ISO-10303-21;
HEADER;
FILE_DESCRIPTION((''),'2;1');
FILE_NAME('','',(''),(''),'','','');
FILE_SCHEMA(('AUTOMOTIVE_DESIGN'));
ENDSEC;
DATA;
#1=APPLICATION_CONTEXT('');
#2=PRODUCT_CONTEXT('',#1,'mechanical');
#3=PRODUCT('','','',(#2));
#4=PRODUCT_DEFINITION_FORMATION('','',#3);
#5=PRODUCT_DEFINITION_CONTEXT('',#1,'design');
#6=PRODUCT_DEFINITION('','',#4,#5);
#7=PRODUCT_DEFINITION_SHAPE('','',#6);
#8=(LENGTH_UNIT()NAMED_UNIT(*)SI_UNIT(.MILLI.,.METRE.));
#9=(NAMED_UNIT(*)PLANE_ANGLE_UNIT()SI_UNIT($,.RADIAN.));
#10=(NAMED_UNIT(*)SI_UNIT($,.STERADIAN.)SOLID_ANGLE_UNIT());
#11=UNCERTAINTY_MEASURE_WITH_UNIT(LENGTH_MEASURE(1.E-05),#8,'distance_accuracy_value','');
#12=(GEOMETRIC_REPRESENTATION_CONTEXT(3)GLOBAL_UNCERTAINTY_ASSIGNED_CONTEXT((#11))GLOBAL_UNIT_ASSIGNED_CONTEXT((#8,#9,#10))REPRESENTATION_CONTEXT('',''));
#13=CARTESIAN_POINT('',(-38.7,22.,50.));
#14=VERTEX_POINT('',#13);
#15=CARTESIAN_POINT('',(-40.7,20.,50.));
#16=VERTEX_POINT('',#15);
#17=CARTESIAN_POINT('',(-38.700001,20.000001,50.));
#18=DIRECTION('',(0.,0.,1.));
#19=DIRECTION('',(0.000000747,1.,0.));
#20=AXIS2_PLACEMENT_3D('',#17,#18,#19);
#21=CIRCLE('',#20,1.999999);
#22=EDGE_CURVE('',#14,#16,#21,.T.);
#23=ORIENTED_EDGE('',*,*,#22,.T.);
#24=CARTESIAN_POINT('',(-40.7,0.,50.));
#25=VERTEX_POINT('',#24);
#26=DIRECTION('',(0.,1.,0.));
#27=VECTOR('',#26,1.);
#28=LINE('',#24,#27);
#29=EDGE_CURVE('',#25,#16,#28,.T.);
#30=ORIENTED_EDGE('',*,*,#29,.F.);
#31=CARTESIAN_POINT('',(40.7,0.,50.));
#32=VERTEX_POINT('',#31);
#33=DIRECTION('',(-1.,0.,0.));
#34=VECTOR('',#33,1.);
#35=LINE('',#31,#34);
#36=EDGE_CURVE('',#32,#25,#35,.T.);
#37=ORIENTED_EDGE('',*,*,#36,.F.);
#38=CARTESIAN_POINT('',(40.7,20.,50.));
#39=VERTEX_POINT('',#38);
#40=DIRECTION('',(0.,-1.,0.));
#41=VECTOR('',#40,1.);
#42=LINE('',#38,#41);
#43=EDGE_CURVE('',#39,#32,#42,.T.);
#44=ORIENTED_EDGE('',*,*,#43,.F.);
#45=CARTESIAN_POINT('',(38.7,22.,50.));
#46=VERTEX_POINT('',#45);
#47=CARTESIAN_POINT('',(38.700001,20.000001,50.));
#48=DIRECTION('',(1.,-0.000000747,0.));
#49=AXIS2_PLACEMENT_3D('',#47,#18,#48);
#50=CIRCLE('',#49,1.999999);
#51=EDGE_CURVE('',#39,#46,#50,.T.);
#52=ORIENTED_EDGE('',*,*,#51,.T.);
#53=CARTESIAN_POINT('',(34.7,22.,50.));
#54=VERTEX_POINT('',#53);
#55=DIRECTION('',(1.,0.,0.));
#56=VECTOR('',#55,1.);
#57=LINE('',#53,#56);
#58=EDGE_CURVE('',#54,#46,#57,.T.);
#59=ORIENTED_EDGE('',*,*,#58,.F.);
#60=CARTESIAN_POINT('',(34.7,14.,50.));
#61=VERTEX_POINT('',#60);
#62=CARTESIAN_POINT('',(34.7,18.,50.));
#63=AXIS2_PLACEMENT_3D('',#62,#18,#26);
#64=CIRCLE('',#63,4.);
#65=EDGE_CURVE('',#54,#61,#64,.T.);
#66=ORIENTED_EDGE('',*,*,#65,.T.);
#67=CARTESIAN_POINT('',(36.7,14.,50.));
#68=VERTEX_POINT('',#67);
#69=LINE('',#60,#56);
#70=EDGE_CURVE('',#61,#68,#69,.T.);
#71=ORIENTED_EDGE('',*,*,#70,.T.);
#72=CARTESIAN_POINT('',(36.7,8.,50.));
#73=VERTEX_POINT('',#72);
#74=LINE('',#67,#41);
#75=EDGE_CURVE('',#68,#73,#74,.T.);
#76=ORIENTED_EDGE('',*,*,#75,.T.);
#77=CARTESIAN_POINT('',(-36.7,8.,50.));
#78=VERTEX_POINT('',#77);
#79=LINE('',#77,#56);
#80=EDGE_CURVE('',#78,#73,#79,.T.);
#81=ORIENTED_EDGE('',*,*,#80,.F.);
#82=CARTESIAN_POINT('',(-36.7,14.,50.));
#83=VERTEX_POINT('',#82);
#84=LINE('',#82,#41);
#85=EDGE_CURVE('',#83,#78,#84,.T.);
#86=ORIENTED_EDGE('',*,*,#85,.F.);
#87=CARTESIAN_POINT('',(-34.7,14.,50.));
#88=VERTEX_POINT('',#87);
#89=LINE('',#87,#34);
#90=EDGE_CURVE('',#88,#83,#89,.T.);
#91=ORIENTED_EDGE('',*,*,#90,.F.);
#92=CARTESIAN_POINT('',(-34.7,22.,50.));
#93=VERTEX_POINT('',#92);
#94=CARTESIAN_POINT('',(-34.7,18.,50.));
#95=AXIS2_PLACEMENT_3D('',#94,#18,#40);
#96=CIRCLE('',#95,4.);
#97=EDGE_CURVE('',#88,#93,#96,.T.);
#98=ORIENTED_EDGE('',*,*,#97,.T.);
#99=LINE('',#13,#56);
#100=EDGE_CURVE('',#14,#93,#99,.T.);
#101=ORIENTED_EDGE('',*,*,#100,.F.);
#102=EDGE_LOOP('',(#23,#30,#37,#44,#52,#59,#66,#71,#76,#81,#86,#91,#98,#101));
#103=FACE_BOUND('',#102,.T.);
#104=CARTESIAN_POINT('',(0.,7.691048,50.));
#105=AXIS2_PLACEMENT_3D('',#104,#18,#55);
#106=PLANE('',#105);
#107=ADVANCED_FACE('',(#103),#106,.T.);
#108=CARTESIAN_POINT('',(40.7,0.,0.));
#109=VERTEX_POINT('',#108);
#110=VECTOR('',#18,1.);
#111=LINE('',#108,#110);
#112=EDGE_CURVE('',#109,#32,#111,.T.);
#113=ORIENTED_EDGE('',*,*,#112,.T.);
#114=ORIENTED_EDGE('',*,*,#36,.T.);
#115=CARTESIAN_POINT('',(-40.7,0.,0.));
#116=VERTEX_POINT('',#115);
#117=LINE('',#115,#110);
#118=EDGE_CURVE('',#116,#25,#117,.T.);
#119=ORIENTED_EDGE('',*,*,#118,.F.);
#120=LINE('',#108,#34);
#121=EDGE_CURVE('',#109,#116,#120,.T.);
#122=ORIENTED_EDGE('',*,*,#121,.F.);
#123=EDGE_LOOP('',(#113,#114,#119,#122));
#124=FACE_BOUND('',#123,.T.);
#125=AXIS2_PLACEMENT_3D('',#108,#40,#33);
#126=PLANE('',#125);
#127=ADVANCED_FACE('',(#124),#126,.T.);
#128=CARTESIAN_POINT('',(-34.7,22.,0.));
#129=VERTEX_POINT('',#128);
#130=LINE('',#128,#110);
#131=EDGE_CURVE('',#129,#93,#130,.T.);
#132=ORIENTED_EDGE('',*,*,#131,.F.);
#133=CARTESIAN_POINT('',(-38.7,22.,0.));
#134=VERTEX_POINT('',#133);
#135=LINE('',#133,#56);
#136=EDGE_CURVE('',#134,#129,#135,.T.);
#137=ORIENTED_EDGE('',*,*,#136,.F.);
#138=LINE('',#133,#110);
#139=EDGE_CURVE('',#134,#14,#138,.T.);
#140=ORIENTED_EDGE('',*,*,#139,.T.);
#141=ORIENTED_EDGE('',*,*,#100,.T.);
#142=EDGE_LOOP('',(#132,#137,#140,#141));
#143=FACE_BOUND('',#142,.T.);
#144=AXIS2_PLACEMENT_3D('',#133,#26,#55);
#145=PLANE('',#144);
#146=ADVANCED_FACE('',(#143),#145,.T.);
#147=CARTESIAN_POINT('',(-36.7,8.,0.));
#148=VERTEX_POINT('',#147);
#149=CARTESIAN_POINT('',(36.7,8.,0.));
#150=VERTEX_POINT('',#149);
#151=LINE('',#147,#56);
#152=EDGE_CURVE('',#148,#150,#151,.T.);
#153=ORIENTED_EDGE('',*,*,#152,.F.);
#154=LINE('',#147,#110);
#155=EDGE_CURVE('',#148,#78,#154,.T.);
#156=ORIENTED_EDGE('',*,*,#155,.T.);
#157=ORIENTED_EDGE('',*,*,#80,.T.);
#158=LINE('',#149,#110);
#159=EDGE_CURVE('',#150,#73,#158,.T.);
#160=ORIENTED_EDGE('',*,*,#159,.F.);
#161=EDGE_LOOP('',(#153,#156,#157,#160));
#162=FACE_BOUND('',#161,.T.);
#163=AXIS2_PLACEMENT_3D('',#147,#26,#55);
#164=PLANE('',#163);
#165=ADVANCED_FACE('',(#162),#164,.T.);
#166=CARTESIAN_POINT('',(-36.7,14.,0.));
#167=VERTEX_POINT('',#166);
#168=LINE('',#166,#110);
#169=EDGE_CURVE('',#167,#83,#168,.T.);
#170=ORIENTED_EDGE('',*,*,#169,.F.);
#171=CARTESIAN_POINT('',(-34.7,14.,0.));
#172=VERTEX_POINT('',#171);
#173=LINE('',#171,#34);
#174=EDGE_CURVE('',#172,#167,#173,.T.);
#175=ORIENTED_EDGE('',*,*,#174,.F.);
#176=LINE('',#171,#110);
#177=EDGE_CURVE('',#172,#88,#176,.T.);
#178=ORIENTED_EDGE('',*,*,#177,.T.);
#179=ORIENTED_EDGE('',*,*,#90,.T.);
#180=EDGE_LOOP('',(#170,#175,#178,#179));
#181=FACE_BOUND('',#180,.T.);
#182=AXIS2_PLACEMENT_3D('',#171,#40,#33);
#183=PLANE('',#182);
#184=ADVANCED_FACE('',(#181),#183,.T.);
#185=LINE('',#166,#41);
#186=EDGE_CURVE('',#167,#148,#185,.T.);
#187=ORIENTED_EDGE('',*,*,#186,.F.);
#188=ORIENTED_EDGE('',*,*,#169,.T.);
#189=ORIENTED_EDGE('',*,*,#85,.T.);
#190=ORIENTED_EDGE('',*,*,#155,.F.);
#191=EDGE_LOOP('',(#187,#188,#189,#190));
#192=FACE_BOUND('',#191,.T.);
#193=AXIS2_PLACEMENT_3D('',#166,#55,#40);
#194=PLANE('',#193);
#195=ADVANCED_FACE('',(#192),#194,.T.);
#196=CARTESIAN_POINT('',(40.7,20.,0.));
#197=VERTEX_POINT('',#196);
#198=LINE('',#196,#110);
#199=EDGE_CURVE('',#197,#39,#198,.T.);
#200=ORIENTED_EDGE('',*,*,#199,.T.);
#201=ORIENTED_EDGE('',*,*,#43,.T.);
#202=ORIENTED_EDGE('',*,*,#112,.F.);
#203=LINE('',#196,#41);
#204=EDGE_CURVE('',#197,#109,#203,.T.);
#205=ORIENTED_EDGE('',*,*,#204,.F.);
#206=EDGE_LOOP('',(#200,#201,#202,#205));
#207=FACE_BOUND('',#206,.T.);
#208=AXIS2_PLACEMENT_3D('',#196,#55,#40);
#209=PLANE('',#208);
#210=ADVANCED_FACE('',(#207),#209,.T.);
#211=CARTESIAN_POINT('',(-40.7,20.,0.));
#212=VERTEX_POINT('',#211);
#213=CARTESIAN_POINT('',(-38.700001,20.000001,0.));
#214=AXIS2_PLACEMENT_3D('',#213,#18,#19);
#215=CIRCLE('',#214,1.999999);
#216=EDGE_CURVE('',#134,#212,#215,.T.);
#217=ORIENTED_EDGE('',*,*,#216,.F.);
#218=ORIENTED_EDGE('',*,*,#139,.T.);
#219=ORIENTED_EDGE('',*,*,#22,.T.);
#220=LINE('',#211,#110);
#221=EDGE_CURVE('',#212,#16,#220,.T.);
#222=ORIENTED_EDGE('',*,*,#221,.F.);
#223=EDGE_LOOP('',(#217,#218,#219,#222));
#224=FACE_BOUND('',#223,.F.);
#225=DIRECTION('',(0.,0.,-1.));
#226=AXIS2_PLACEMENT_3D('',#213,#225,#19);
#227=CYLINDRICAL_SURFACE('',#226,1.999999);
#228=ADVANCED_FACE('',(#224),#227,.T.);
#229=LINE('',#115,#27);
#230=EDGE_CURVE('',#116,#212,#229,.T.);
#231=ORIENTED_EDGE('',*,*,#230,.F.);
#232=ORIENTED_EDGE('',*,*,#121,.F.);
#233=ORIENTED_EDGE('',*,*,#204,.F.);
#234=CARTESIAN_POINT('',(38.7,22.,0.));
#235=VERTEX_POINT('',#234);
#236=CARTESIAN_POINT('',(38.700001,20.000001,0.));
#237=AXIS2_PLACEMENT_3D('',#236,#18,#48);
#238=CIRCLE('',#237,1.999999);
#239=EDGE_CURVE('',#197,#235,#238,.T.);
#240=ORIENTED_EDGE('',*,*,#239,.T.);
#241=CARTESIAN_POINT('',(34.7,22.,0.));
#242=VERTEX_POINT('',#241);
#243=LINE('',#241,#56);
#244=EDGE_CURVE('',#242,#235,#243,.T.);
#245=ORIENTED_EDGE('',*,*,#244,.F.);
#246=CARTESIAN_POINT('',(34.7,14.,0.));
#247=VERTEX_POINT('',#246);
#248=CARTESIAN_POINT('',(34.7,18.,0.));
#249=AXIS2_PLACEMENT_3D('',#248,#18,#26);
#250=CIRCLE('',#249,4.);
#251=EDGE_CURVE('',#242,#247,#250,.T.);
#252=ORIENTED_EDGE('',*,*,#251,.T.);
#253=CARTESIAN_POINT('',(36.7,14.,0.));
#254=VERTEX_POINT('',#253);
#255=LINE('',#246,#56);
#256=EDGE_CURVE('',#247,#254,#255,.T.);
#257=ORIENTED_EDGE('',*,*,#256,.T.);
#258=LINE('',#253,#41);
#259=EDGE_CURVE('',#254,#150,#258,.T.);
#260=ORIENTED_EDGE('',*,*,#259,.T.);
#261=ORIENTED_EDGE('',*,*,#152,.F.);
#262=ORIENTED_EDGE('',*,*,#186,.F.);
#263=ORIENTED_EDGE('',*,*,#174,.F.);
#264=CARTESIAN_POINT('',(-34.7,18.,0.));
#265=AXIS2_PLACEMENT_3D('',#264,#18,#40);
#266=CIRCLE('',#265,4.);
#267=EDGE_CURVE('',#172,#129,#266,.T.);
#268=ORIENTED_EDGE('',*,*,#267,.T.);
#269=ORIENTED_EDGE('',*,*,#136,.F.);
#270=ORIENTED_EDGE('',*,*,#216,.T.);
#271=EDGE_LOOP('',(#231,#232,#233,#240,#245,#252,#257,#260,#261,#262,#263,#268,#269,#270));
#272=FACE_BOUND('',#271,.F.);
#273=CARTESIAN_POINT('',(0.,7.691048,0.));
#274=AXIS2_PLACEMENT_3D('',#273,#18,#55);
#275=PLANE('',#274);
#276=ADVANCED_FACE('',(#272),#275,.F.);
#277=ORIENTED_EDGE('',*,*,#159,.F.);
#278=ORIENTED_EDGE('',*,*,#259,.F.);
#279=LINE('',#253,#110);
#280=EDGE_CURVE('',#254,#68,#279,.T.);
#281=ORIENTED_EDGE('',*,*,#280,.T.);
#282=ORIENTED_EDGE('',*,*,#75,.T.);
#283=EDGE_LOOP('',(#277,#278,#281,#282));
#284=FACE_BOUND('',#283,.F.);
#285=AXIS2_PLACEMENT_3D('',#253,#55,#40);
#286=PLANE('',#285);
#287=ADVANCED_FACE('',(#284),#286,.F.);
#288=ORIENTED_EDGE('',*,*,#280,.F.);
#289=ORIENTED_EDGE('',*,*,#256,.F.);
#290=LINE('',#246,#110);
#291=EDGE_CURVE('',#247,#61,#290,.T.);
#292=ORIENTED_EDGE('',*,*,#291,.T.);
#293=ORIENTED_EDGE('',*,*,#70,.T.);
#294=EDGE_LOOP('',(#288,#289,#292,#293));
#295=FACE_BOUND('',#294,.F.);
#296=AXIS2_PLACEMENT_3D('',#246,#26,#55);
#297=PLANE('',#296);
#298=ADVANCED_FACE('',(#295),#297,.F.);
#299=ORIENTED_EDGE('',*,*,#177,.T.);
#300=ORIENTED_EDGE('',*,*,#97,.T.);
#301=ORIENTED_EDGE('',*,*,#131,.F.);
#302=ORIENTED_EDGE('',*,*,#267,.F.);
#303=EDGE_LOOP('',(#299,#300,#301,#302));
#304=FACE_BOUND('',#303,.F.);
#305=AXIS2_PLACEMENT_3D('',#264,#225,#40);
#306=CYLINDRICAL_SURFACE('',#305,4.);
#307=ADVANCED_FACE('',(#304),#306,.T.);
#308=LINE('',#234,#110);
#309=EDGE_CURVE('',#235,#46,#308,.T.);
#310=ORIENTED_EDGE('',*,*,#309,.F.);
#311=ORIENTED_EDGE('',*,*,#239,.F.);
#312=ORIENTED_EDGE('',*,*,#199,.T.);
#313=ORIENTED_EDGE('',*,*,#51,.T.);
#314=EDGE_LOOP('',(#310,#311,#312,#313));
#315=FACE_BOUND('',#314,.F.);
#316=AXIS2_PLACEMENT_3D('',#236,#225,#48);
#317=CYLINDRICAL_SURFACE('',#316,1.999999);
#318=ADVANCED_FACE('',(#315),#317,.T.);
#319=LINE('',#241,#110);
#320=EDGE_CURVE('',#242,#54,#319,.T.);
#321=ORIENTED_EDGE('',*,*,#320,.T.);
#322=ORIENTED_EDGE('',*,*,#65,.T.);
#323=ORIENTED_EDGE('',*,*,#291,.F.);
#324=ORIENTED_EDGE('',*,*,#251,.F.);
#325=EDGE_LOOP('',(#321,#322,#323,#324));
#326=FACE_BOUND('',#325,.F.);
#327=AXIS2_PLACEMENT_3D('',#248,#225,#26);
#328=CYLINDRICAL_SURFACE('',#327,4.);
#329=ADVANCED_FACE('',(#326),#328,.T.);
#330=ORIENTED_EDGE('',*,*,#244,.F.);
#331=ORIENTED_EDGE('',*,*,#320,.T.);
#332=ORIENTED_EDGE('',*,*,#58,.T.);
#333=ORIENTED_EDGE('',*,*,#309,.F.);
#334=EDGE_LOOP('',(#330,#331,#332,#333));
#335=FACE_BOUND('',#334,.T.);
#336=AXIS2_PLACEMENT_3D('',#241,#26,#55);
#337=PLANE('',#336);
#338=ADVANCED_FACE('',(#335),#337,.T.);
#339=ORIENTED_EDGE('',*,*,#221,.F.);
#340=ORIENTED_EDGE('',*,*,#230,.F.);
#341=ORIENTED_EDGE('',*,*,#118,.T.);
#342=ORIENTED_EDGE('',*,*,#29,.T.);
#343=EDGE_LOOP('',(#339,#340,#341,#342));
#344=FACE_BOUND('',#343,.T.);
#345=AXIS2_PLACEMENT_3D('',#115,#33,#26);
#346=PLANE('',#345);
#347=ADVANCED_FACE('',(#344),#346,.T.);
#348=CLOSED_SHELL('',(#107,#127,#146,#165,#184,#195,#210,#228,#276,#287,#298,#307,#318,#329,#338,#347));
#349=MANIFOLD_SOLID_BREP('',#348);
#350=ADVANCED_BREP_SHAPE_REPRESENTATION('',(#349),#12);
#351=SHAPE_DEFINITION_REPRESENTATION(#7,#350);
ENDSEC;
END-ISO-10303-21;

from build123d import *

# Parameters (mm, degrees)
PAD_DEPTH = 50


with BuildPart() as part:
    # Sketch → Pad (new body)
    with BuildSketch(Plane.XY):
        with BuildLine():
            ThreePointArc((-34.7, 14), (-30.7, 18), (-34.7, 22))
            Line((-38.7, 22), (-34.7, 22))
            ThreePointArc((-38.7, 22), (-40.114214, 21.414214), (-40.7, 20))
            Line((-40.7, 0), (-40.7, 20))
            Line((0, 0), (-40.7, 0))
            Line((40.7, 0), (0, 0))
            Line((40.7, 20), (40.7, 0))
            ThreePointArc((40.7, 20), (40.114214, 21.414214), (38.7, 22))
            Line((34.7, 22), (38.7, 22))
            ThreePointArc((34.7, 22), (30.7, 18), (34.7, 14))
            Line((34.7, 14), (36.7, 14))
            Line((36.7, 14), (36.7, 8))
            Line((-36.7, 8), (36.7, 8))
            Line((-36.7, 14), (-36.7, 8))
            Line((-34.7, 14), (-36.7, 14))
        make_face()
    extrude(amount=PAD_DEPTH)


solid = part.part
